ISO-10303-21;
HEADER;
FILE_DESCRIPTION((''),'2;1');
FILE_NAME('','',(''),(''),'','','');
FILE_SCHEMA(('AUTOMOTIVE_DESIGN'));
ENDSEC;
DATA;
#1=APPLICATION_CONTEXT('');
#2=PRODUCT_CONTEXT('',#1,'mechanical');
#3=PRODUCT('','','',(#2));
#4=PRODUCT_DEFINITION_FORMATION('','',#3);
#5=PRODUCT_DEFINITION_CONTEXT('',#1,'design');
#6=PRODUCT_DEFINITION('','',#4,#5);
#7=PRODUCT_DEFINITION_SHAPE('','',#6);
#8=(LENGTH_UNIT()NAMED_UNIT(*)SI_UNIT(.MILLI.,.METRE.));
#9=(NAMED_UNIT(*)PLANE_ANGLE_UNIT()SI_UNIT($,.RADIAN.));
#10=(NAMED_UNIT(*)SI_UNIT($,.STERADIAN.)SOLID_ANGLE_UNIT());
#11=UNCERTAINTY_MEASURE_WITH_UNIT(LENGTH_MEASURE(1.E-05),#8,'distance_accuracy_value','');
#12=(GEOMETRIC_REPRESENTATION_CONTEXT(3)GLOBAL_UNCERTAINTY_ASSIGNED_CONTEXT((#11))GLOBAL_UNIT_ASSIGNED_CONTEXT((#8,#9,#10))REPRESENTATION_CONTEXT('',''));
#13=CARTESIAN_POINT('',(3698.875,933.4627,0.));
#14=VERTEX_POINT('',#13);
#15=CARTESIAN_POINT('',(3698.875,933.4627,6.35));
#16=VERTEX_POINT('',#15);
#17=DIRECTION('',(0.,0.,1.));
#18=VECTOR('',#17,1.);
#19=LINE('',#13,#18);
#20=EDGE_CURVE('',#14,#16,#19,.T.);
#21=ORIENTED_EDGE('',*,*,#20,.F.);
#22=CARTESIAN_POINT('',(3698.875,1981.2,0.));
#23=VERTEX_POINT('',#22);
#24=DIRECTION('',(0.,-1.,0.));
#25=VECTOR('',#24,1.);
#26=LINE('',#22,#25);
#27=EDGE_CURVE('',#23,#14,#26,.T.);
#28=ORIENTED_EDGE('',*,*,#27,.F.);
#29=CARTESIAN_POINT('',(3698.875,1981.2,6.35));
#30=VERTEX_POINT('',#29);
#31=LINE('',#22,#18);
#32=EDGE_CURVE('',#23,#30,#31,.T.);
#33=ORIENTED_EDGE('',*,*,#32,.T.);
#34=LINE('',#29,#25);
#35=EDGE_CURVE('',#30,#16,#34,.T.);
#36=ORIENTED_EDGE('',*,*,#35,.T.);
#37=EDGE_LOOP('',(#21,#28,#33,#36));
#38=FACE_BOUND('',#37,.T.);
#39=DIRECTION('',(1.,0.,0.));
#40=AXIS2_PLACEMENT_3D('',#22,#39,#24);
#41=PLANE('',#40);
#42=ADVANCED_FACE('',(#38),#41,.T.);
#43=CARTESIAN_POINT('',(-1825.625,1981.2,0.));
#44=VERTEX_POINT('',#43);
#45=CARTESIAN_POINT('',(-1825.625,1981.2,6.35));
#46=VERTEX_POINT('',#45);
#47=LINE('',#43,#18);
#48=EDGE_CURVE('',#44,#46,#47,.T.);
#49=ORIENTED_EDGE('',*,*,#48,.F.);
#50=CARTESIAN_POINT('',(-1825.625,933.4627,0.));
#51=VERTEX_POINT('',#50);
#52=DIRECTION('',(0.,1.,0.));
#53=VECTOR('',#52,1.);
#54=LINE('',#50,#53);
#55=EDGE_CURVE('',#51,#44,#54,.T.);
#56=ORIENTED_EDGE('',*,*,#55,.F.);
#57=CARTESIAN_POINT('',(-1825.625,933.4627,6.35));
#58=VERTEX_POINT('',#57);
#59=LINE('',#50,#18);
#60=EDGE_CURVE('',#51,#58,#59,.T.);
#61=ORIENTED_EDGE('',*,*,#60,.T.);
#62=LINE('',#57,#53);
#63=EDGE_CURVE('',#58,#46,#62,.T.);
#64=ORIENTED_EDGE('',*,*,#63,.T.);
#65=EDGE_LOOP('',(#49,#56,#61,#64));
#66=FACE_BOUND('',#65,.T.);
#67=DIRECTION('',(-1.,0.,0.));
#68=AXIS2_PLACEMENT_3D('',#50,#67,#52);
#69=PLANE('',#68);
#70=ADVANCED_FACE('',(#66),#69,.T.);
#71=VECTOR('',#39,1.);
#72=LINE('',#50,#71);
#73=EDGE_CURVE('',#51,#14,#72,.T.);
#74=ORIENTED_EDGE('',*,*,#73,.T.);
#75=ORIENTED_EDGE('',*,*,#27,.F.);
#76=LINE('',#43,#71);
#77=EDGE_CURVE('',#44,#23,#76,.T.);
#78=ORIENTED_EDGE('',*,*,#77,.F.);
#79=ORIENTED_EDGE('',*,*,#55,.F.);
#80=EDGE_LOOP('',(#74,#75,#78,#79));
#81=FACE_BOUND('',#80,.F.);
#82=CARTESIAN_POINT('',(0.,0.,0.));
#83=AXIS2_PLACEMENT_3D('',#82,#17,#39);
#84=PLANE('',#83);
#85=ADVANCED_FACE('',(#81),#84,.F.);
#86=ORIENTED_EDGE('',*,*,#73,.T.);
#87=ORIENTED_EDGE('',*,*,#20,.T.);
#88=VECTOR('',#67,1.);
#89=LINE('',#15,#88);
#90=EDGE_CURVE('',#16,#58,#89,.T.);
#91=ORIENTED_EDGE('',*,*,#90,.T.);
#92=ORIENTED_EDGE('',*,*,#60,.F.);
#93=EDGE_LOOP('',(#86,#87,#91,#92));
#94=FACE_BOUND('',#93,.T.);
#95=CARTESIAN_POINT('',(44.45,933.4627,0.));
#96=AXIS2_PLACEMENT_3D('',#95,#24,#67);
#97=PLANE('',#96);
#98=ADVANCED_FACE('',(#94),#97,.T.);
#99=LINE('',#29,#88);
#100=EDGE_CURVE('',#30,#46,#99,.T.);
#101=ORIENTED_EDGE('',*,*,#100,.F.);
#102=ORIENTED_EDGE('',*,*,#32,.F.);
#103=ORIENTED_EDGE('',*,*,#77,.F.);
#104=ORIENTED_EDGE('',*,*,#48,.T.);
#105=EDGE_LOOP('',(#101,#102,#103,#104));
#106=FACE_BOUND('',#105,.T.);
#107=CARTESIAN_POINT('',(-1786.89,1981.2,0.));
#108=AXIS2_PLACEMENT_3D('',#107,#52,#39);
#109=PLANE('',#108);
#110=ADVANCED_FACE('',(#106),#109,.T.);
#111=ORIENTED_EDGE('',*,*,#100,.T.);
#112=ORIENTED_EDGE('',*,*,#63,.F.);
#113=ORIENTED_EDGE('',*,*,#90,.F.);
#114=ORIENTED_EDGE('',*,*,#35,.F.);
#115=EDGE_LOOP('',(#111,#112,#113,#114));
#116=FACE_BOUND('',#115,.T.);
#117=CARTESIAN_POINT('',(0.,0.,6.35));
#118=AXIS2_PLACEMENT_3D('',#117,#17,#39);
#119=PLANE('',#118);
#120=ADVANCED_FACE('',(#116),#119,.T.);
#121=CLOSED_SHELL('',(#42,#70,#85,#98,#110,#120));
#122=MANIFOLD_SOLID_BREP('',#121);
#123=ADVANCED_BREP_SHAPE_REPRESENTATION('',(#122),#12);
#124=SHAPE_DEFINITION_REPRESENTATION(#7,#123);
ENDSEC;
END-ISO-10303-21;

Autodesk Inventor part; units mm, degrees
ref_plane "YZ Plane" through (0, 0, 0) normal (1, 0, 0) x (0, 1, 0)
ref_plane "XZ Plane" through (0, 0, 0) normal (0, 1, 0) x (-1, 0, 0)
ref_plane "XY Plane" through (0, 0, 0) normal (0, 0, 1) x (1, 0, 0)
ref_plane "Work Plane1" through (0, 0, 0) normal (0, 0, 1) x (1, 0, 0)
sketch "Sketch1" plane through (0, 0, 0) normal (0, 0, 1) x (1, 0, 0)
  line L0 (48214.6435, 12717.2926) -> (46926.203, 12835.6081)
  line L1 (46926.203, 12835.6081) -> (47035.9934, 12184.9022)
  line L2 (44.45, 933.4627) -> (1831.34, 933.4627) projected
  line L3 (44.45, 933.4627) -> (44.45, 889.0127) projected
  line L4 (44.45, 889.0127) -> (1831.34, 889.0127) projected
  line L5 (1831.34, 889.0127) -> (1831.34, 933.4627) projected
  line L6 (44.45, 933.4627) -> (1831.34, 933.4627) projected
  line L7 (-1786.89, 0) -> (-1831.34, 0) projected
  line L8 (-1786.89, 0) -> (-1786.89, 1981.2) projected
  line L9 (-1831.34, 1981.2) -> (-1786.89, 1981.2) projected
  line L10 (-1831.34, 0) -> (-1831.34, 1981.2) projected
  line L11 (-1825.625, 3052.9022) -> (-1825.625, 1986.1022) projected
  line L12 (-1825.625, 1981.2) -> (3698.875, 1981.2)
  line L13 (3698.875, 1981.2) -> (3698.875, 933.4627)
  line L14 (3698.875, 933.4627) -> (-1825.625, 933.4627)
  line L15 (-1825.625, 933.4627) -> (-1825.625, 1981.2)
  line L16 (3698.875, 1986.1022) -> (3698.875, 3052.9022) projected
  point P0 (0, 0)
extrude "Extrusion1" add sketch "Sketch1" along normal blind 6.35 contours L14 L8 L12 L13 L2 | L14 L15 L9 L8
ref_plane "Work Plane2" through (936.625, 1981.2, 6.35) normal (-1, 0, 0) x (0, -1, 0)
properties part number "FE-PlayerStationTop" material "Polycarbonate, Clear"
